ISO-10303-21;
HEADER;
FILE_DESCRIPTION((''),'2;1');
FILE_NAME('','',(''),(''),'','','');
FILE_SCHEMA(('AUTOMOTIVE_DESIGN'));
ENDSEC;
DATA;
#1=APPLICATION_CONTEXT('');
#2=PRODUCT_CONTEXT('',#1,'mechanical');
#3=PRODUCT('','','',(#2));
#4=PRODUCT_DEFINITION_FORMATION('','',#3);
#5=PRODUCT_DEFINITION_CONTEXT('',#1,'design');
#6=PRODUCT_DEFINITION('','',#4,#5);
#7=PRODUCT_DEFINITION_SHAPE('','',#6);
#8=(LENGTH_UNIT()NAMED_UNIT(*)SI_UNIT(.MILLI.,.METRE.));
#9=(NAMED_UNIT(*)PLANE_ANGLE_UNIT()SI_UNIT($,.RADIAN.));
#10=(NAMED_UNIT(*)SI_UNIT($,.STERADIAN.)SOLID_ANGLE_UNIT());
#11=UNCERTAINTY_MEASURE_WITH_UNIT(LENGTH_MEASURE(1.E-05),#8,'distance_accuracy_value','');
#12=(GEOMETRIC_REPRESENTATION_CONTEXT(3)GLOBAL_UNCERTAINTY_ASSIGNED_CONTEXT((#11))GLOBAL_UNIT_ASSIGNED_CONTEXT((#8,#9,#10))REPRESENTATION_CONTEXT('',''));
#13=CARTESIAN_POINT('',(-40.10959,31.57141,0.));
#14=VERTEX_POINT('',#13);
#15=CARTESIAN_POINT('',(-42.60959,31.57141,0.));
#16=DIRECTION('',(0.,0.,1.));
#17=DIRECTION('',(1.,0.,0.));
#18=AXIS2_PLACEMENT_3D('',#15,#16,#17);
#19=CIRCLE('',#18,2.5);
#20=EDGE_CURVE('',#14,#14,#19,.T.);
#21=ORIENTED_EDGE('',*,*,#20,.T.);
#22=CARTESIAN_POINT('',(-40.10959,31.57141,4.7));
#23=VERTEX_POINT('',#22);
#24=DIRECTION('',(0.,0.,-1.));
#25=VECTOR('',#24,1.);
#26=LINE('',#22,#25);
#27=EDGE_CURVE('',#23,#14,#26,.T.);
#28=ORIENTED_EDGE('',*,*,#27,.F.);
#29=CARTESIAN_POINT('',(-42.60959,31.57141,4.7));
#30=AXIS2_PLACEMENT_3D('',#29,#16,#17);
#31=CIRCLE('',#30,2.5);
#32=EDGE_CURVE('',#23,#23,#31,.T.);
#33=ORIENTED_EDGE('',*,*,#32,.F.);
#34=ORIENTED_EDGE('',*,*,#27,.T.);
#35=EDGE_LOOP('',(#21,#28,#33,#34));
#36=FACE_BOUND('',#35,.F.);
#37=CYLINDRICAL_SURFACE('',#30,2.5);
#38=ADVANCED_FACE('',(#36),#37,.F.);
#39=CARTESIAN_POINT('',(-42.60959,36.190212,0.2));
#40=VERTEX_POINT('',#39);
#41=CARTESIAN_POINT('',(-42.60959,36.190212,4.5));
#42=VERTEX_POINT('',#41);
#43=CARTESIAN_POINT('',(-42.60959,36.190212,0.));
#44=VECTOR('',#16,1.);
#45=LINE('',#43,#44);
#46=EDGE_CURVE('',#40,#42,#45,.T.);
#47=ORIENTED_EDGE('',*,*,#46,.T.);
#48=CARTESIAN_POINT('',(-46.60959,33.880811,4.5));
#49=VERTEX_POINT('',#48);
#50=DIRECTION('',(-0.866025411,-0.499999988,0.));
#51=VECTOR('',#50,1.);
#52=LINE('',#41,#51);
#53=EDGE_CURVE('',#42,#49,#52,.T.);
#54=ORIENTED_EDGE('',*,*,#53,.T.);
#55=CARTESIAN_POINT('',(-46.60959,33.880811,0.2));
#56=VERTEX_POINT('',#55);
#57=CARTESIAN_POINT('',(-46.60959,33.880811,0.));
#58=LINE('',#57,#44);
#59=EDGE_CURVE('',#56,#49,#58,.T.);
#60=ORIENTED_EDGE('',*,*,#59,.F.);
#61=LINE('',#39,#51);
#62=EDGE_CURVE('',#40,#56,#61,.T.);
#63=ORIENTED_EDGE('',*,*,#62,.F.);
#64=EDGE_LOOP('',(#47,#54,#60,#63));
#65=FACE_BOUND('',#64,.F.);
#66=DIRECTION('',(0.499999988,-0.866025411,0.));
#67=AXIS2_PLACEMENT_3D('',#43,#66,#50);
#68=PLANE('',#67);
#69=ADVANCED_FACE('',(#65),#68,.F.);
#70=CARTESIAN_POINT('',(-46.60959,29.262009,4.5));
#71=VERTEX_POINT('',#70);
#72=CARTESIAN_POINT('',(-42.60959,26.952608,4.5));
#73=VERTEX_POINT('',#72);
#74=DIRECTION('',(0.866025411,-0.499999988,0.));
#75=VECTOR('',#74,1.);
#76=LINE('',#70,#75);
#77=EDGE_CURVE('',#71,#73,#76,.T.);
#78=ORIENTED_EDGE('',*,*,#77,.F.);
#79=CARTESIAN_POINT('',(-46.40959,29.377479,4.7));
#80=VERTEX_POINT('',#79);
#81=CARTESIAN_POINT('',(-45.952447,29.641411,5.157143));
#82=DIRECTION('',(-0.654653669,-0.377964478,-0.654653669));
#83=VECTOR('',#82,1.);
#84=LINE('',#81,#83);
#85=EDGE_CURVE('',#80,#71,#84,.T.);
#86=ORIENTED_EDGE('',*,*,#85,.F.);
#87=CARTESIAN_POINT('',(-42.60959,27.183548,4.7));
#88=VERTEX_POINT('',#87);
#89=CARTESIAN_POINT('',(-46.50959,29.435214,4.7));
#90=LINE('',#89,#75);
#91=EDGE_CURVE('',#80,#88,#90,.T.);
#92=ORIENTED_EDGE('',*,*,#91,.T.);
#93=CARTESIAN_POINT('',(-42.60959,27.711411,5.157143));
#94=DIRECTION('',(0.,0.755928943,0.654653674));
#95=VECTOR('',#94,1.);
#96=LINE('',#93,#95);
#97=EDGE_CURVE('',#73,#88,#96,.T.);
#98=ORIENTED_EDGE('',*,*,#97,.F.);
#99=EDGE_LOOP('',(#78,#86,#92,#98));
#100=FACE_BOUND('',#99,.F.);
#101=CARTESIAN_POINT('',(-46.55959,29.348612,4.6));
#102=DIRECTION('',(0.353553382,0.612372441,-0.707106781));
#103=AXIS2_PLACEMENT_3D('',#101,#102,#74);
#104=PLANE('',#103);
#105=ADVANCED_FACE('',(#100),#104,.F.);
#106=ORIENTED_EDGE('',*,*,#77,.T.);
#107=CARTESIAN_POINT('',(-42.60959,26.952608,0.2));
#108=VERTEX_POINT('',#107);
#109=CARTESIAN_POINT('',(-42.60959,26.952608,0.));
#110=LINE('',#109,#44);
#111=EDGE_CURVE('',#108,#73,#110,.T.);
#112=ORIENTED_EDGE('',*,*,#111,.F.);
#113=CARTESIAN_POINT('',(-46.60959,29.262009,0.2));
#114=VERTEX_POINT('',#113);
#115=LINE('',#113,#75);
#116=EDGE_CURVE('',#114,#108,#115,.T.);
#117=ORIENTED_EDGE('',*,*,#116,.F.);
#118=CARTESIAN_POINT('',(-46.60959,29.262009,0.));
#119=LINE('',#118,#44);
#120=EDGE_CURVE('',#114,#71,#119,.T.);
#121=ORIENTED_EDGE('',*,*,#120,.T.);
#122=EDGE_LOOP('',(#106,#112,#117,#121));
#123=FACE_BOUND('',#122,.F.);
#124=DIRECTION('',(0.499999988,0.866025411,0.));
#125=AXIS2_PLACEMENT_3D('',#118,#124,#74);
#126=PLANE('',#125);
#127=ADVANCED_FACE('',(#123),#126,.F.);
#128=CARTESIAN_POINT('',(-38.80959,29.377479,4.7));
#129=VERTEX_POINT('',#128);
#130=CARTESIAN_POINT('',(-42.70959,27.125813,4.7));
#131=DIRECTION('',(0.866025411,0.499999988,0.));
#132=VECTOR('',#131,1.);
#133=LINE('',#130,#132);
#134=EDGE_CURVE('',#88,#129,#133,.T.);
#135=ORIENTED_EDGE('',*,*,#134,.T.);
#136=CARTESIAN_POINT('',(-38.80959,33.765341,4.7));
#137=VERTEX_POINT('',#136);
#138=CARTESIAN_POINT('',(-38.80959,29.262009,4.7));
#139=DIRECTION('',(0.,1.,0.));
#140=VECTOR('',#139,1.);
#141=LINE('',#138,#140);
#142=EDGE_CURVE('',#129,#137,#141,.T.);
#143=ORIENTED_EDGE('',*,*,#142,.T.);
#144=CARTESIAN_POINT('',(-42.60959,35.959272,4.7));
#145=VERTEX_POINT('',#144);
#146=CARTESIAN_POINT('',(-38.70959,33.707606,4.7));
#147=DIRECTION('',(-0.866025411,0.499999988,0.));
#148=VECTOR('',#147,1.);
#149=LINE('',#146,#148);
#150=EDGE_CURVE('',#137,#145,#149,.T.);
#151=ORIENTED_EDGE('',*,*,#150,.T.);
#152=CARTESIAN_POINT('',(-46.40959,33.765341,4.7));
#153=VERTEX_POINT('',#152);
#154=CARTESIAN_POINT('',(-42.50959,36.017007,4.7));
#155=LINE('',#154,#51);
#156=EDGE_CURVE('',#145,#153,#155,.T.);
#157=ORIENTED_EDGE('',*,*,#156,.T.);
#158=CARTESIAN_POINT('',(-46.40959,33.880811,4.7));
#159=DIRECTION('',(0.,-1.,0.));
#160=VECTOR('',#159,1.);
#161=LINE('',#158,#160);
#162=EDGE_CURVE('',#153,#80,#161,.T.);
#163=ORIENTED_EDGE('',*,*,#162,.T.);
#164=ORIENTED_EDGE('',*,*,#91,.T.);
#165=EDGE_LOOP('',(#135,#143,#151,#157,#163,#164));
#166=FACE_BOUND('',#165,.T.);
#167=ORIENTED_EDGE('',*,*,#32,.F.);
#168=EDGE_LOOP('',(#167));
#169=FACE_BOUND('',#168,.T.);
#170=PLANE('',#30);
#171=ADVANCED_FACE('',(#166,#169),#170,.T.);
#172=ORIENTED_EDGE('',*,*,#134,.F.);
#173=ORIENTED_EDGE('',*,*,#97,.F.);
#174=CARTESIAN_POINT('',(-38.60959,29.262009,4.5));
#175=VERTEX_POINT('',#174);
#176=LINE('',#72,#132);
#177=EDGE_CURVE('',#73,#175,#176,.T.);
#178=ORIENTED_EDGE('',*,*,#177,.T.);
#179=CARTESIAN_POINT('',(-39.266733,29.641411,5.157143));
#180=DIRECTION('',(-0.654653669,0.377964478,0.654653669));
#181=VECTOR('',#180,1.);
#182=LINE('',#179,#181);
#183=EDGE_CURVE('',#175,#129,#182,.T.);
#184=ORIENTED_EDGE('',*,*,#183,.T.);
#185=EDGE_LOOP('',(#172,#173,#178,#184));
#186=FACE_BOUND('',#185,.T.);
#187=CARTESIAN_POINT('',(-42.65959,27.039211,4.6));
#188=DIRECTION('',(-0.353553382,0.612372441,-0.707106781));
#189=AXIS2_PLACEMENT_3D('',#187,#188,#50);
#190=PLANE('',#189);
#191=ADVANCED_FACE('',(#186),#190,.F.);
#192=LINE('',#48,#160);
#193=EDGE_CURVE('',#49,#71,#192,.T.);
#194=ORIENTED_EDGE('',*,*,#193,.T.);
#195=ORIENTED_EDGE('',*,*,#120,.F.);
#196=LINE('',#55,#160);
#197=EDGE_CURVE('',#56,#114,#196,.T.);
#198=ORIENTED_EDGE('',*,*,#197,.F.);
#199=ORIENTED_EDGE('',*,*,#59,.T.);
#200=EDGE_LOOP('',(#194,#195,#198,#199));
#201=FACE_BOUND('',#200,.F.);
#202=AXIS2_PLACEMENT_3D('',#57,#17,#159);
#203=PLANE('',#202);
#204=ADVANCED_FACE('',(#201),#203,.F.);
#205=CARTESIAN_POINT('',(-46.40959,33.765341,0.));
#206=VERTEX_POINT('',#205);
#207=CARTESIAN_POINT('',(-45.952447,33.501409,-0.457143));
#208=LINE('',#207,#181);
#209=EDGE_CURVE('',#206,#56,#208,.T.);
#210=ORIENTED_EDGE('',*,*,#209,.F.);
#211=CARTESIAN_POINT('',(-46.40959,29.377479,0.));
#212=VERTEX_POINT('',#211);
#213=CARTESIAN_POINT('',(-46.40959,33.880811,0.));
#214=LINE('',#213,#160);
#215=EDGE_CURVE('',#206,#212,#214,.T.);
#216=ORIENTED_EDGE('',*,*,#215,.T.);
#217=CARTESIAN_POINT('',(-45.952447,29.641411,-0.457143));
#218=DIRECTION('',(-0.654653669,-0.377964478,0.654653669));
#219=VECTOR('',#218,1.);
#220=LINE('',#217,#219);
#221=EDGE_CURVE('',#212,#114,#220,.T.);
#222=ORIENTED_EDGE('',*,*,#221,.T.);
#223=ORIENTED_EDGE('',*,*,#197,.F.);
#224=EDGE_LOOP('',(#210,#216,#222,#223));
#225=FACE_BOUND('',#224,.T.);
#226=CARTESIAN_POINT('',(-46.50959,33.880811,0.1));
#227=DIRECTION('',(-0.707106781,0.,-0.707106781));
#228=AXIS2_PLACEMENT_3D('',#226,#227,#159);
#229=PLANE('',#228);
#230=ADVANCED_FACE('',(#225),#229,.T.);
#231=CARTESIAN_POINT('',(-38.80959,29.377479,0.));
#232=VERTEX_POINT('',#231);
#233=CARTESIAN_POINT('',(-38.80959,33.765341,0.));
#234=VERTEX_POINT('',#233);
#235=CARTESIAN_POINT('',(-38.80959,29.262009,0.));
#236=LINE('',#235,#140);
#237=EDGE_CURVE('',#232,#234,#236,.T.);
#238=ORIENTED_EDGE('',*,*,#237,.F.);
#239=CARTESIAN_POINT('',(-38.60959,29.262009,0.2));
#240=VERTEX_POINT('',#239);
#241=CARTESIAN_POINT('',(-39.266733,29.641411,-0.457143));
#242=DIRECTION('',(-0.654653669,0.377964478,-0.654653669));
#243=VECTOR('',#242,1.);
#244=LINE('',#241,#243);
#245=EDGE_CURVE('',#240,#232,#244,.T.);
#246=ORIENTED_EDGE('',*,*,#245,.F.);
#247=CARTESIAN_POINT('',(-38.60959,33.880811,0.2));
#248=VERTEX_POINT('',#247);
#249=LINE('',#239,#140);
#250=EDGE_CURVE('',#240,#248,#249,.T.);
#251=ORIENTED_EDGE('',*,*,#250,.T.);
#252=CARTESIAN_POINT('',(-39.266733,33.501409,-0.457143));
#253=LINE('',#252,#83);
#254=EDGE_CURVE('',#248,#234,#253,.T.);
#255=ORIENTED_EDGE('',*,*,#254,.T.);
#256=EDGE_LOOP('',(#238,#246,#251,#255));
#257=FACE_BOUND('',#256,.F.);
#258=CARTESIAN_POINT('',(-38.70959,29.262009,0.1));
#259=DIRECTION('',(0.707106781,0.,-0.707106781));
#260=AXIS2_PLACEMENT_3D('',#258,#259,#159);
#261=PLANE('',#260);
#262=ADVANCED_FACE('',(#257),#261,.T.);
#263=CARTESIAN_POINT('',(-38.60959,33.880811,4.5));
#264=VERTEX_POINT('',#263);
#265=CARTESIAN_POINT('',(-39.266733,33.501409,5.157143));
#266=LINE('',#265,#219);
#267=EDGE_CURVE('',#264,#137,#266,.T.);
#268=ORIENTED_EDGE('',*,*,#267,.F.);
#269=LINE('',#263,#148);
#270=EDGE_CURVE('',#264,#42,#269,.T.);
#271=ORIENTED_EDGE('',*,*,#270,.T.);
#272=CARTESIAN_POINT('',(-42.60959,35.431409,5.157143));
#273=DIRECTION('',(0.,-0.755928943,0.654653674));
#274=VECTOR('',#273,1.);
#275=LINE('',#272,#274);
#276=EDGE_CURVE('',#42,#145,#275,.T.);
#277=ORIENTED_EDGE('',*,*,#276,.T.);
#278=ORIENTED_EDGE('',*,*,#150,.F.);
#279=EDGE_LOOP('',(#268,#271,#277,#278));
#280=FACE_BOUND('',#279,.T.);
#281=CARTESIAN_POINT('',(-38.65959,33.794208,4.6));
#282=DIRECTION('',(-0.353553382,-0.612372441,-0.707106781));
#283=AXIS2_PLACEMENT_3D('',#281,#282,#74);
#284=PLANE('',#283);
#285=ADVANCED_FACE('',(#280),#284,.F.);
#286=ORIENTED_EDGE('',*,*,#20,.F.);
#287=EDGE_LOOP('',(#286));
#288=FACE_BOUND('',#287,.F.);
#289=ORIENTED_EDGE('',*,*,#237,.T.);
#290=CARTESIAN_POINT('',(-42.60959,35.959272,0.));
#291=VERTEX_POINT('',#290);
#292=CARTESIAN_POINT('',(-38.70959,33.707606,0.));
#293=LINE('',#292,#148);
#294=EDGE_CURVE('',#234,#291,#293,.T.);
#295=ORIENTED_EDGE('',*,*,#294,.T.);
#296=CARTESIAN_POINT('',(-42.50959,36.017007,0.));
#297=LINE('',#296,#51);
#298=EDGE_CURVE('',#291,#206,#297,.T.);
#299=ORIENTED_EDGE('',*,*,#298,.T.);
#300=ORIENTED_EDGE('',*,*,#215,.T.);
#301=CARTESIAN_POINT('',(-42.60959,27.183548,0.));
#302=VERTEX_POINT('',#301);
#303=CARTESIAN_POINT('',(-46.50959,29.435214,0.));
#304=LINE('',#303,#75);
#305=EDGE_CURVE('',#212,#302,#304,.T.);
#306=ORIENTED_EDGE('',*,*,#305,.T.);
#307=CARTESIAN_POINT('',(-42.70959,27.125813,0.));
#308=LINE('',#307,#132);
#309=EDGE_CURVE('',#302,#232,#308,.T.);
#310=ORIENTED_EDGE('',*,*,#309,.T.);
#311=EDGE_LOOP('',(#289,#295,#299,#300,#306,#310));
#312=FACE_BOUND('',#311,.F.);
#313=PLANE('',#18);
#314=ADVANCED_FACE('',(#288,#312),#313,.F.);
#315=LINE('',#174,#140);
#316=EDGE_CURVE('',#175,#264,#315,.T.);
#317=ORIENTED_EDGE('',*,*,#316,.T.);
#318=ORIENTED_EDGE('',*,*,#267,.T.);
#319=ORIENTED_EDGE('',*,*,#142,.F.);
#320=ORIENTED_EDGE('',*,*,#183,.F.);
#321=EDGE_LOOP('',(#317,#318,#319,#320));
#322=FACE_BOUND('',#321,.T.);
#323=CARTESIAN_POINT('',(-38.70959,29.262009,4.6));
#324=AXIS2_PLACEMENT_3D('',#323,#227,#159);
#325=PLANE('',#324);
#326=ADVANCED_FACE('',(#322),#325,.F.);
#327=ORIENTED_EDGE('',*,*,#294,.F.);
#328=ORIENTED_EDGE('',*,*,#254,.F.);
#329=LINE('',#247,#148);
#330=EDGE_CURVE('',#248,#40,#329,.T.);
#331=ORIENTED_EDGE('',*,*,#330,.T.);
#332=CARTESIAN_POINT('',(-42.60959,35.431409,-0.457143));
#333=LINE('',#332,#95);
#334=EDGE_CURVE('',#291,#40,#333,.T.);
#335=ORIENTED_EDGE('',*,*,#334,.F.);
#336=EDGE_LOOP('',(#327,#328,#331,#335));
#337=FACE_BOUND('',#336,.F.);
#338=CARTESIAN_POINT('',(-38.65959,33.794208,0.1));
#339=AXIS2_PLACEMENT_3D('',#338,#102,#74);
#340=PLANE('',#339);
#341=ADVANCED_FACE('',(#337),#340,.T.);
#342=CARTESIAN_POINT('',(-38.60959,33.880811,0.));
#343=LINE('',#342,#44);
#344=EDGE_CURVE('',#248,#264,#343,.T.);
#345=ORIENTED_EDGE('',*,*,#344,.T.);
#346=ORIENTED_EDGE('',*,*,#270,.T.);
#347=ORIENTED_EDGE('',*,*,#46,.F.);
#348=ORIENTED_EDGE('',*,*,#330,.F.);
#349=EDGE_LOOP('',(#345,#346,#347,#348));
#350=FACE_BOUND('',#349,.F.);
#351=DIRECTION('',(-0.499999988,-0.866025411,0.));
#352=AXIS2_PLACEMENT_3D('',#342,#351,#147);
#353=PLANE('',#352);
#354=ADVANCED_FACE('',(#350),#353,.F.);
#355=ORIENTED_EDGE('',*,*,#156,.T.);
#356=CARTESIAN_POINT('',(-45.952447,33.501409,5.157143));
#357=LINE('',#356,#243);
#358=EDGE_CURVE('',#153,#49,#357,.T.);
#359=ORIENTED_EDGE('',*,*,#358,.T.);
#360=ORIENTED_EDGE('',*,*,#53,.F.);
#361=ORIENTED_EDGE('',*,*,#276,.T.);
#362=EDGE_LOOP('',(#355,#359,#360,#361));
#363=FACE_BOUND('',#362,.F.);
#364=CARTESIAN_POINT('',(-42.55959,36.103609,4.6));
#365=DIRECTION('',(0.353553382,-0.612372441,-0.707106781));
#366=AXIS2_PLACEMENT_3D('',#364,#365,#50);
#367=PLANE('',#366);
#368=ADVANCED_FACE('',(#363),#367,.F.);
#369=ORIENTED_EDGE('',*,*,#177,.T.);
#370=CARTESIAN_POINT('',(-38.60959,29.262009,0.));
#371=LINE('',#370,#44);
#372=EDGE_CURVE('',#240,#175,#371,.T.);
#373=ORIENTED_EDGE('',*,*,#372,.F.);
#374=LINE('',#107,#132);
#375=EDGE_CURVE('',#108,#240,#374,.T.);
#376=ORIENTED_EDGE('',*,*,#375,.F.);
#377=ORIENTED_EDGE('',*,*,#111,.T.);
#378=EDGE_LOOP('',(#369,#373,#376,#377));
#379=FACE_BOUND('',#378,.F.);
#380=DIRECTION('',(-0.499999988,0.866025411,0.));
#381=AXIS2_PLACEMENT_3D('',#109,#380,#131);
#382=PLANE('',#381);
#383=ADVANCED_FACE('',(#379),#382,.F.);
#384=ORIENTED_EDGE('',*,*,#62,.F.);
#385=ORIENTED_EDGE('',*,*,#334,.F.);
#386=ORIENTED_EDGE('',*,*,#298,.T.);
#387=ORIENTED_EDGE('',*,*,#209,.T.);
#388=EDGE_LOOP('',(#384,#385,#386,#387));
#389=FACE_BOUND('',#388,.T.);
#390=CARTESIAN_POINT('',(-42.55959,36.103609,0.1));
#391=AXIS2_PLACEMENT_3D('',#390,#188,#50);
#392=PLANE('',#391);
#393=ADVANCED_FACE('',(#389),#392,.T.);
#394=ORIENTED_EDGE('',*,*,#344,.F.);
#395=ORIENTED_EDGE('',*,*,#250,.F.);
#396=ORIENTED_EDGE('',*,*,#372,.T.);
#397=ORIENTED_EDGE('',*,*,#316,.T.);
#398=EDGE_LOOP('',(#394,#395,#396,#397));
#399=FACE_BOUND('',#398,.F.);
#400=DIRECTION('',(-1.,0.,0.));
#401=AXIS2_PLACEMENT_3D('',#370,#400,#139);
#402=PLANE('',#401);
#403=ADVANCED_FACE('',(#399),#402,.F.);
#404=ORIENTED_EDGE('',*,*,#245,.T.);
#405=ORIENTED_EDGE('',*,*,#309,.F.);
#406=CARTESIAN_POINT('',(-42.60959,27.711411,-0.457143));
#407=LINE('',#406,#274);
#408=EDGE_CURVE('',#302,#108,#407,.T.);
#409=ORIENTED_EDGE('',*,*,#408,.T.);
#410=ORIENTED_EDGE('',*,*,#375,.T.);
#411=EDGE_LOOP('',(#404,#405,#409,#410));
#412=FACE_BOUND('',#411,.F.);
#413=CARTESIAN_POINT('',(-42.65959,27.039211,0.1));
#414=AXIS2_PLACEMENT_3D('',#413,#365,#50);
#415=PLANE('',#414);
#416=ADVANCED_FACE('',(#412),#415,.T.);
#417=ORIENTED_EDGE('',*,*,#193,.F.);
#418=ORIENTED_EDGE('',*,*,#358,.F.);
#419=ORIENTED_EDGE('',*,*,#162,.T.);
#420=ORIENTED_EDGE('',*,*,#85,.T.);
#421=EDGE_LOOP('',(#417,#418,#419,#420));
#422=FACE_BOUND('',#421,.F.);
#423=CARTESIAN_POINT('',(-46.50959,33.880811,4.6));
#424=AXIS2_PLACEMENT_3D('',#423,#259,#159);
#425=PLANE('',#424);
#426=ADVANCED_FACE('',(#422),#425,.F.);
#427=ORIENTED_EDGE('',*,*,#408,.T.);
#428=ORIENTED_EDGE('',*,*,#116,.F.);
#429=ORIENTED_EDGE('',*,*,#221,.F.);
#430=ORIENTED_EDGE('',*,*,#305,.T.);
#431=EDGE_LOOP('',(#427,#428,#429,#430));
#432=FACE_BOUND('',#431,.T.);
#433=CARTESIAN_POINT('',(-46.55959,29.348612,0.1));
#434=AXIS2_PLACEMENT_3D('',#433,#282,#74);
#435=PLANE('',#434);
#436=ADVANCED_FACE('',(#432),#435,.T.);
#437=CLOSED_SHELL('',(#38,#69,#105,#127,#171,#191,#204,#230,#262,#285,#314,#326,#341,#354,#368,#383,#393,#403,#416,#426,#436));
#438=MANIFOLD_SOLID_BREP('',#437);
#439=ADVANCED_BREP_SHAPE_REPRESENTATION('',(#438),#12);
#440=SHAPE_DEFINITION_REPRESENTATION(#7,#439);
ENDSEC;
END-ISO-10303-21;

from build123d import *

# Parameters (mm, degrees)
PAD_DEPTH    = 4.7
SKETCH001_R  = 2.5
POCKET_DEPTH = 4.7
CHAMFER_SIZE = 0.2


with BuildPart() as part:
    # Sketch → Pad (new body)
    with BuildSketch(Plane.XY):
        Polygon((-38.60959, 29.262009), (-38.60959, 33.880811), (-42.60959, 36.190212), (-46.60959, 33.880811), (-46.60959, 29.262009), (-42.60959, 26.952608), align=None)
    extrude(amount=PAD_DEPTH)

    # Sketch001 → Pocket (cut)
    with BuildSketch(Plane.XY.offset(4.7)):
        with Locations((-42.60959, 31.57141)):
            Circle(SKETCH001_R)
    extrude(amount=-POCKET_DEPTH, mode=Mode.SUBTRACT)

    # Chamfer
    chamfer_edges = [part.edges().sort_by_distance(p)[0] for p in [
        (-40.60959, 28.107309, 4.7),
        (-38.60959, 31.57141, 4.7),
        (-40.60959, 35.035512, 4.7),
        (-44.60959, 35.035512, 4.7),
        (-46.60959, 31.57141, 4.7),
        (-44.60959, 28.107309, 4.7),
        (-44.60959, 28.107309, 0),
        (-46.60959, 31.57141, 0),
        (-44.60959, 35.035512, 0),
        (-40.60959, 35.035512, 0),
        (-38.60959, 31.57141, 0),
        (-40.60959, 28.107309, 0),
    ]]
    chamfer(chamfer_edges, length=CHAMFER_SIZE)


solid = part.part
